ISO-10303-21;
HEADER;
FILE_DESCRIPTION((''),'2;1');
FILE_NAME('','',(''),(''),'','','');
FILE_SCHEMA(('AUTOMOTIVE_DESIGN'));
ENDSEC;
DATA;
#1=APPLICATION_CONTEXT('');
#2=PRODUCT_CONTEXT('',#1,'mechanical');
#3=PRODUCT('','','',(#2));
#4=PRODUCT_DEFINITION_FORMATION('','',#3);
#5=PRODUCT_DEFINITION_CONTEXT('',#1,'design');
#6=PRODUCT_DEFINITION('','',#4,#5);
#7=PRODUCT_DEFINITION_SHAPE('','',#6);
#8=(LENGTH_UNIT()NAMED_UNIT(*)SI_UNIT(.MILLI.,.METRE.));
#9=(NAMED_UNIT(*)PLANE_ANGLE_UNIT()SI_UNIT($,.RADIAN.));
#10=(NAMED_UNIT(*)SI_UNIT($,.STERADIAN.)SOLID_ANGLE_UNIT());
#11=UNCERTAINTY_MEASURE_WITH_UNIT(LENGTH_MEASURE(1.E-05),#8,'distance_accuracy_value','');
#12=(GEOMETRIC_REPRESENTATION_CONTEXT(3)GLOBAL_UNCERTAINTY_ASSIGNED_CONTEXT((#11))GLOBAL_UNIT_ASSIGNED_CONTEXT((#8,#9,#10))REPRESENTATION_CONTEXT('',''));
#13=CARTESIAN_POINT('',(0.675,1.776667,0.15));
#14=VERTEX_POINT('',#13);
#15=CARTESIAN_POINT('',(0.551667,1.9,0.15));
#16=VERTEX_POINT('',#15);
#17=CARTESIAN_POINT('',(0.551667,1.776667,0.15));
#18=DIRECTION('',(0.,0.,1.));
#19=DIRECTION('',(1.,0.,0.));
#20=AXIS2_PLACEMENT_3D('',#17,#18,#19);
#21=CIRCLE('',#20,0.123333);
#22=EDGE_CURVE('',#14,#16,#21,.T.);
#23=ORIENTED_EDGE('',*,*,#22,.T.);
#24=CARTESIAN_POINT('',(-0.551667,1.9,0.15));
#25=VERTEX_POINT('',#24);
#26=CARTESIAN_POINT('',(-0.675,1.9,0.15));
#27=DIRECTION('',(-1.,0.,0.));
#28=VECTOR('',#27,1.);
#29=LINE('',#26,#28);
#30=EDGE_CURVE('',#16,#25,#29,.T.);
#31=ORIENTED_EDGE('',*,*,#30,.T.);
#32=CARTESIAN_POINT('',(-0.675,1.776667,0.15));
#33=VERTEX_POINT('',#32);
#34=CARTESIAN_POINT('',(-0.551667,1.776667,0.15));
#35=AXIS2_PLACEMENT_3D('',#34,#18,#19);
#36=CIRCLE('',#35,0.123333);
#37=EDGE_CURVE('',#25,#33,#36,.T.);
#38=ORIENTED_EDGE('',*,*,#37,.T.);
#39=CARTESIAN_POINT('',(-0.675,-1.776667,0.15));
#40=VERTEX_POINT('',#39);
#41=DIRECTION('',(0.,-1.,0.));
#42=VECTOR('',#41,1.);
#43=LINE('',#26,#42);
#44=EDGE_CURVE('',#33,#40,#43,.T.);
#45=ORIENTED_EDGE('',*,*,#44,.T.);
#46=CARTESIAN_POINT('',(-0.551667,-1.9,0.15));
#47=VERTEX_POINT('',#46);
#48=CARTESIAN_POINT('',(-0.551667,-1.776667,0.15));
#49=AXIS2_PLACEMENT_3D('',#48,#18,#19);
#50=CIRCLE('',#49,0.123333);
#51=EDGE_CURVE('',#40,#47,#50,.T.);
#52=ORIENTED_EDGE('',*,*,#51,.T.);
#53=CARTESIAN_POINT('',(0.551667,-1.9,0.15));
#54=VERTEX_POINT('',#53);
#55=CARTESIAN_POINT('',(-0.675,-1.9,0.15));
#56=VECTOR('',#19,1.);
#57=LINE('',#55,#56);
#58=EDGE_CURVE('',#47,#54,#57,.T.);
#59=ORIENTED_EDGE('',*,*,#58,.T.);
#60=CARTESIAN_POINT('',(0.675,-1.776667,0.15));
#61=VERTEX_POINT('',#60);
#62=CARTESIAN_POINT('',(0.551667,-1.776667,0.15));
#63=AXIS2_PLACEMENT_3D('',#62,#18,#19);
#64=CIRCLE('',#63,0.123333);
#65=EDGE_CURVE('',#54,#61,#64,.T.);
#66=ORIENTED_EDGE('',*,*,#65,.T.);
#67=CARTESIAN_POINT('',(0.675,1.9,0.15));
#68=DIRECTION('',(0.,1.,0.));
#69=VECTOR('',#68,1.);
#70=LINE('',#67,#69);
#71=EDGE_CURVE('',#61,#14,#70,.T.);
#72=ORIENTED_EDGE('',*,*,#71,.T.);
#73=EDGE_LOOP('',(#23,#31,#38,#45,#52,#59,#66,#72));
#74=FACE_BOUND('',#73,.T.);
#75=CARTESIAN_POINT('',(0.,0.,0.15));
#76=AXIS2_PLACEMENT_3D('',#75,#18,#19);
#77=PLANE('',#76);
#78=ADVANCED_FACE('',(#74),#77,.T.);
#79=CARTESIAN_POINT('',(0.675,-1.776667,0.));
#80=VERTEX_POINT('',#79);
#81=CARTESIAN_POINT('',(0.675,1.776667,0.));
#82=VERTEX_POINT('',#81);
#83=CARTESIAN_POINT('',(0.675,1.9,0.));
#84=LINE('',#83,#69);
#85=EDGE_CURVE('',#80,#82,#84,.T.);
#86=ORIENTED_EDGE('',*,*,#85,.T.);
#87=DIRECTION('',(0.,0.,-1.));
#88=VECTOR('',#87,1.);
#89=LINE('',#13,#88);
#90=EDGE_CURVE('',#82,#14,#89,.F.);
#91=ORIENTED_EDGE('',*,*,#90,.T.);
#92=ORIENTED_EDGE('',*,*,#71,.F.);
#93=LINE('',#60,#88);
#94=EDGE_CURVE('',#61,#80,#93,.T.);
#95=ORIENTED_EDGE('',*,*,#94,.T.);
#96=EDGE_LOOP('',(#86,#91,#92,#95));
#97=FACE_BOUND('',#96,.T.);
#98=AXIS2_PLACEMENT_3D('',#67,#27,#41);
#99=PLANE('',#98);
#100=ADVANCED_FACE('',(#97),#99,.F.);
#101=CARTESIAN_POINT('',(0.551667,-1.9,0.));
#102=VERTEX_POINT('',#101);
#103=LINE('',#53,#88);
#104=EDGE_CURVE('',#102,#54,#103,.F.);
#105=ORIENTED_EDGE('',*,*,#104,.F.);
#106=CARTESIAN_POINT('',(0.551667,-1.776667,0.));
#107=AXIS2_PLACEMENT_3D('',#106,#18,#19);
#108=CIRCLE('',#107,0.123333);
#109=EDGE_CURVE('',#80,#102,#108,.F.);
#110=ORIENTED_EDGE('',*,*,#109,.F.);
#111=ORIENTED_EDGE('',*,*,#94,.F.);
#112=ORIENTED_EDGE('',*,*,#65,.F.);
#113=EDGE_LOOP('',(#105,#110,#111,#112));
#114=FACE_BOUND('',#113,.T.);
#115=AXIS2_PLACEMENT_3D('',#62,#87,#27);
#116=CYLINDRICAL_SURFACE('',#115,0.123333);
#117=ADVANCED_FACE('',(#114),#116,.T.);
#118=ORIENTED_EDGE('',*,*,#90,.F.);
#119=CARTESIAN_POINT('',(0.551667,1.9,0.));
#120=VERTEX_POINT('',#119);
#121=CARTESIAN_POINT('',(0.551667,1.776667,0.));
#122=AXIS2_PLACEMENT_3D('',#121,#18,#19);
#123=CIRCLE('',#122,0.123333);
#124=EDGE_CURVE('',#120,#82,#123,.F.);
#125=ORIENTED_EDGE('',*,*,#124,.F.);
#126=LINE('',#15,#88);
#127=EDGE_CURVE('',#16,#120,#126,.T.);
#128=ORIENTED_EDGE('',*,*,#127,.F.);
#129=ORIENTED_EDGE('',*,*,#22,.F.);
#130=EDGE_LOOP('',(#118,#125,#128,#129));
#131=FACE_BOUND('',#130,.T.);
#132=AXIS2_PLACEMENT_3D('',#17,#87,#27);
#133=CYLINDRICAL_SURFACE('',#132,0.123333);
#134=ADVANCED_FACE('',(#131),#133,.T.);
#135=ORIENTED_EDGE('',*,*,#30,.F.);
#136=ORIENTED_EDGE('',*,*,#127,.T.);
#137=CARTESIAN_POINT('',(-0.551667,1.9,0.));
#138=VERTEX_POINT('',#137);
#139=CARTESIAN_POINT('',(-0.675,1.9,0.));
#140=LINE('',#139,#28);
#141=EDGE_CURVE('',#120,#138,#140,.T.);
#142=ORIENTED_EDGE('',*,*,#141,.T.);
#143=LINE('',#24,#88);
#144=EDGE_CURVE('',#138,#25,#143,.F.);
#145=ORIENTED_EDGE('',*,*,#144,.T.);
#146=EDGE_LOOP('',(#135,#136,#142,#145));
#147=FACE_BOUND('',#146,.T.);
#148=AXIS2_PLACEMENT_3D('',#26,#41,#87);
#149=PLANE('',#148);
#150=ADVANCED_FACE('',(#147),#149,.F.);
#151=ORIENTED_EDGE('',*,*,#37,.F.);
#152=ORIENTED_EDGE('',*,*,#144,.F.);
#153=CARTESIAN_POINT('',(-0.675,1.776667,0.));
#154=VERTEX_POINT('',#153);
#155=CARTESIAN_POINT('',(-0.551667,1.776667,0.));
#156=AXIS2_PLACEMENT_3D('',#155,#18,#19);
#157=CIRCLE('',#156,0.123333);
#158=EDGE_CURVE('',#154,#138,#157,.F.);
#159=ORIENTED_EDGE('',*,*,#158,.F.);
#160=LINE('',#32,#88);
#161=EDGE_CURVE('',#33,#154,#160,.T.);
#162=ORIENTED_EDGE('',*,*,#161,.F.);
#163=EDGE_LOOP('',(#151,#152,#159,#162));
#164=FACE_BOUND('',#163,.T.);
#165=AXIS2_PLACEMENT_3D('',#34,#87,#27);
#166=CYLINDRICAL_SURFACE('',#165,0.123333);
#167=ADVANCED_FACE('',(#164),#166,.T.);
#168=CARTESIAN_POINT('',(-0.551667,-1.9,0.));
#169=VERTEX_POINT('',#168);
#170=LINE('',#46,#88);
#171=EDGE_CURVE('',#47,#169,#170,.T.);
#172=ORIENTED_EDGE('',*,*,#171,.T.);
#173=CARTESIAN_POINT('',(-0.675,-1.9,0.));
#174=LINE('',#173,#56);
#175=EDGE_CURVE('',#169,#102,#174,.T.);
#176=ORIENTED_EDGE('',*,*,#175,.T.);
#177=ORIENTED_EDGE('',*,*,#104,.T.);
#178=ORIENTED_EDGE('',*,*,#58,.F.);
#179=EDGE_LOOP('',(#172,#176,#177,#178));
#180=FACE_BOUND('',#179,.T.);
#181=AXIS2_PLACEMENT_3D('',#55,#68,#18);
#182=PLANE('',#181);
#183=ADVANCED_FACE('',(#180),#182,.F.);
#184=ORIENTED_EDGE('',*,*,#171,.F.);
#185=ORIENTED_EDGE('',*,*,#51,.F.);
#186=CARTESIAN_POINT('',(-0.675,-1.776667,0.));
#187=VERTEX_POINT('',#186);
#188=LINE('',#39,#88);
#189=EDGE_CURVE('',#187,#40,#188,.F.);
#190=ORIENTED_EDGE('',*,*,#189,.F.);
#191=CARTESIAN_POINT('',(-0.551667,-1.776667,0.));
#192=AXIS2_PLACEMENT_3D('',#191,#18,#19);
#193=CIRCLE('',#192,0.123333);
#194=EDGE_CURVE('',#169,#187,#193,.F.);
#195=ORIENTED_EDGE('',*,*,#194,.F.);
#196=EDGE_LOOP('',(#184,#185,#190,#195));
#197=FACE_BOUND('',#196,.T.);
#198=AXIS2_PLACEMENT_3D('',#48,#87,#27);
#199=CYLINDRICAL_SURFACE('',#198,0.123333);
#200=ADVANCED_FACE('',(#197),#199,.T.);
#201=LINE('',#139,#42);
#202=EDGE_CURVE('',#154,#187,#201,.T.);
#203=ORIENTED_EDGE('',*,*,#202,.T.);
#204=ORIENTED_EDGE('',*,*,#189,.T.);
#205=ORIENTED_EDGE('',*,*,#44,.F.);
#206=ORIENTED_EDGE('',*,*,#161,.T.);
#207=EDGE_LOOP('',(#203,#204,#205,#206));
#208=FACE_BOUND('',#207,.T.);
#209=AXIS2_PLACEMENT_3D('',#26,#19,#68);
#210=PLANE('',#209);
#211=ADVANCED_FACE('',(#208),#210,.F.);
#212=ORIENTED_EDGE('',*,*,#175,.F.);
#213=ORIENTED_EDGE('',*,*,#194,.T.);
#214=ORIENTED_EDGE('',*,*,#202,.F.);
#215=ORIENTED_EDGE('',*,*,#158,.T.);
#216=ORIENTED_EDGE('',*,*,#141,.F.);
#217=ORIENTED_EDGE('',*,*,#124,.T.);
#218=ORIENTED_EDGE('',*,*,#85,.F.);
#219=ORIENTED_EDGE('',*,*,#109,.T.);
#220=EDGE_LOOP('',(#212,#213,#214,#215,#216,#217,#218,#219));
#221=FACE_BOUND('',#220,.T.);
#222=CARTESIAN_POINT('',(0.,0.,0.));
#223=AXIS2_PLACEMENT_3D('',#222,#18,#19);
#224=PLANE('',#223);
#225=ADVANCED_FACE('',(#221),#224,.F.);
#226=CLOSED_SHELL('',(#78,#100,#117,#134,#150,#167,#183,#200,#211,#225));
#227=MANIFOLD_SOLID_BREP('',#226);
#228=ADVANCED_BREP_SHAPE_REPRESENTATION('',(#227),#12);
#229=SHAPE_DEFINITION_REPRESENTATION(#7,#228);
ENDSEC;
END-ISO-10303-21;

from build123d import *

# Parameters (mm, degrees)
SKETCH_1_W      = 1.35
SKETCH_1_H      = 3.8
EXTRUDE_1_DEPTH = 0.15
FILLET_1_R      = 0.123333333


with BuildPart() as part:
    # 草图1 → 凸台-拉伸1 (new body)
    with BuildSketch(Plane.XY):
        Rectangle(SKETCH_1_W, SKETCH_1_H)
    extrude(amount=EXTRUDE_1_DEPTH)

    # 圆角1
    fillet_1_edges = [part.edges().sort_by_distance(p)[0] for p in [
        (0.675, -1.9, 0.075),
        (-0.675, -1.9, 0.075),
        (-0.675, 1.9, 0.075),
        (0.675, 1.9, 0.075),
    ]]
    fillet(fillet_1_edges, radius=FILLET_1_R)


solid = part.part
